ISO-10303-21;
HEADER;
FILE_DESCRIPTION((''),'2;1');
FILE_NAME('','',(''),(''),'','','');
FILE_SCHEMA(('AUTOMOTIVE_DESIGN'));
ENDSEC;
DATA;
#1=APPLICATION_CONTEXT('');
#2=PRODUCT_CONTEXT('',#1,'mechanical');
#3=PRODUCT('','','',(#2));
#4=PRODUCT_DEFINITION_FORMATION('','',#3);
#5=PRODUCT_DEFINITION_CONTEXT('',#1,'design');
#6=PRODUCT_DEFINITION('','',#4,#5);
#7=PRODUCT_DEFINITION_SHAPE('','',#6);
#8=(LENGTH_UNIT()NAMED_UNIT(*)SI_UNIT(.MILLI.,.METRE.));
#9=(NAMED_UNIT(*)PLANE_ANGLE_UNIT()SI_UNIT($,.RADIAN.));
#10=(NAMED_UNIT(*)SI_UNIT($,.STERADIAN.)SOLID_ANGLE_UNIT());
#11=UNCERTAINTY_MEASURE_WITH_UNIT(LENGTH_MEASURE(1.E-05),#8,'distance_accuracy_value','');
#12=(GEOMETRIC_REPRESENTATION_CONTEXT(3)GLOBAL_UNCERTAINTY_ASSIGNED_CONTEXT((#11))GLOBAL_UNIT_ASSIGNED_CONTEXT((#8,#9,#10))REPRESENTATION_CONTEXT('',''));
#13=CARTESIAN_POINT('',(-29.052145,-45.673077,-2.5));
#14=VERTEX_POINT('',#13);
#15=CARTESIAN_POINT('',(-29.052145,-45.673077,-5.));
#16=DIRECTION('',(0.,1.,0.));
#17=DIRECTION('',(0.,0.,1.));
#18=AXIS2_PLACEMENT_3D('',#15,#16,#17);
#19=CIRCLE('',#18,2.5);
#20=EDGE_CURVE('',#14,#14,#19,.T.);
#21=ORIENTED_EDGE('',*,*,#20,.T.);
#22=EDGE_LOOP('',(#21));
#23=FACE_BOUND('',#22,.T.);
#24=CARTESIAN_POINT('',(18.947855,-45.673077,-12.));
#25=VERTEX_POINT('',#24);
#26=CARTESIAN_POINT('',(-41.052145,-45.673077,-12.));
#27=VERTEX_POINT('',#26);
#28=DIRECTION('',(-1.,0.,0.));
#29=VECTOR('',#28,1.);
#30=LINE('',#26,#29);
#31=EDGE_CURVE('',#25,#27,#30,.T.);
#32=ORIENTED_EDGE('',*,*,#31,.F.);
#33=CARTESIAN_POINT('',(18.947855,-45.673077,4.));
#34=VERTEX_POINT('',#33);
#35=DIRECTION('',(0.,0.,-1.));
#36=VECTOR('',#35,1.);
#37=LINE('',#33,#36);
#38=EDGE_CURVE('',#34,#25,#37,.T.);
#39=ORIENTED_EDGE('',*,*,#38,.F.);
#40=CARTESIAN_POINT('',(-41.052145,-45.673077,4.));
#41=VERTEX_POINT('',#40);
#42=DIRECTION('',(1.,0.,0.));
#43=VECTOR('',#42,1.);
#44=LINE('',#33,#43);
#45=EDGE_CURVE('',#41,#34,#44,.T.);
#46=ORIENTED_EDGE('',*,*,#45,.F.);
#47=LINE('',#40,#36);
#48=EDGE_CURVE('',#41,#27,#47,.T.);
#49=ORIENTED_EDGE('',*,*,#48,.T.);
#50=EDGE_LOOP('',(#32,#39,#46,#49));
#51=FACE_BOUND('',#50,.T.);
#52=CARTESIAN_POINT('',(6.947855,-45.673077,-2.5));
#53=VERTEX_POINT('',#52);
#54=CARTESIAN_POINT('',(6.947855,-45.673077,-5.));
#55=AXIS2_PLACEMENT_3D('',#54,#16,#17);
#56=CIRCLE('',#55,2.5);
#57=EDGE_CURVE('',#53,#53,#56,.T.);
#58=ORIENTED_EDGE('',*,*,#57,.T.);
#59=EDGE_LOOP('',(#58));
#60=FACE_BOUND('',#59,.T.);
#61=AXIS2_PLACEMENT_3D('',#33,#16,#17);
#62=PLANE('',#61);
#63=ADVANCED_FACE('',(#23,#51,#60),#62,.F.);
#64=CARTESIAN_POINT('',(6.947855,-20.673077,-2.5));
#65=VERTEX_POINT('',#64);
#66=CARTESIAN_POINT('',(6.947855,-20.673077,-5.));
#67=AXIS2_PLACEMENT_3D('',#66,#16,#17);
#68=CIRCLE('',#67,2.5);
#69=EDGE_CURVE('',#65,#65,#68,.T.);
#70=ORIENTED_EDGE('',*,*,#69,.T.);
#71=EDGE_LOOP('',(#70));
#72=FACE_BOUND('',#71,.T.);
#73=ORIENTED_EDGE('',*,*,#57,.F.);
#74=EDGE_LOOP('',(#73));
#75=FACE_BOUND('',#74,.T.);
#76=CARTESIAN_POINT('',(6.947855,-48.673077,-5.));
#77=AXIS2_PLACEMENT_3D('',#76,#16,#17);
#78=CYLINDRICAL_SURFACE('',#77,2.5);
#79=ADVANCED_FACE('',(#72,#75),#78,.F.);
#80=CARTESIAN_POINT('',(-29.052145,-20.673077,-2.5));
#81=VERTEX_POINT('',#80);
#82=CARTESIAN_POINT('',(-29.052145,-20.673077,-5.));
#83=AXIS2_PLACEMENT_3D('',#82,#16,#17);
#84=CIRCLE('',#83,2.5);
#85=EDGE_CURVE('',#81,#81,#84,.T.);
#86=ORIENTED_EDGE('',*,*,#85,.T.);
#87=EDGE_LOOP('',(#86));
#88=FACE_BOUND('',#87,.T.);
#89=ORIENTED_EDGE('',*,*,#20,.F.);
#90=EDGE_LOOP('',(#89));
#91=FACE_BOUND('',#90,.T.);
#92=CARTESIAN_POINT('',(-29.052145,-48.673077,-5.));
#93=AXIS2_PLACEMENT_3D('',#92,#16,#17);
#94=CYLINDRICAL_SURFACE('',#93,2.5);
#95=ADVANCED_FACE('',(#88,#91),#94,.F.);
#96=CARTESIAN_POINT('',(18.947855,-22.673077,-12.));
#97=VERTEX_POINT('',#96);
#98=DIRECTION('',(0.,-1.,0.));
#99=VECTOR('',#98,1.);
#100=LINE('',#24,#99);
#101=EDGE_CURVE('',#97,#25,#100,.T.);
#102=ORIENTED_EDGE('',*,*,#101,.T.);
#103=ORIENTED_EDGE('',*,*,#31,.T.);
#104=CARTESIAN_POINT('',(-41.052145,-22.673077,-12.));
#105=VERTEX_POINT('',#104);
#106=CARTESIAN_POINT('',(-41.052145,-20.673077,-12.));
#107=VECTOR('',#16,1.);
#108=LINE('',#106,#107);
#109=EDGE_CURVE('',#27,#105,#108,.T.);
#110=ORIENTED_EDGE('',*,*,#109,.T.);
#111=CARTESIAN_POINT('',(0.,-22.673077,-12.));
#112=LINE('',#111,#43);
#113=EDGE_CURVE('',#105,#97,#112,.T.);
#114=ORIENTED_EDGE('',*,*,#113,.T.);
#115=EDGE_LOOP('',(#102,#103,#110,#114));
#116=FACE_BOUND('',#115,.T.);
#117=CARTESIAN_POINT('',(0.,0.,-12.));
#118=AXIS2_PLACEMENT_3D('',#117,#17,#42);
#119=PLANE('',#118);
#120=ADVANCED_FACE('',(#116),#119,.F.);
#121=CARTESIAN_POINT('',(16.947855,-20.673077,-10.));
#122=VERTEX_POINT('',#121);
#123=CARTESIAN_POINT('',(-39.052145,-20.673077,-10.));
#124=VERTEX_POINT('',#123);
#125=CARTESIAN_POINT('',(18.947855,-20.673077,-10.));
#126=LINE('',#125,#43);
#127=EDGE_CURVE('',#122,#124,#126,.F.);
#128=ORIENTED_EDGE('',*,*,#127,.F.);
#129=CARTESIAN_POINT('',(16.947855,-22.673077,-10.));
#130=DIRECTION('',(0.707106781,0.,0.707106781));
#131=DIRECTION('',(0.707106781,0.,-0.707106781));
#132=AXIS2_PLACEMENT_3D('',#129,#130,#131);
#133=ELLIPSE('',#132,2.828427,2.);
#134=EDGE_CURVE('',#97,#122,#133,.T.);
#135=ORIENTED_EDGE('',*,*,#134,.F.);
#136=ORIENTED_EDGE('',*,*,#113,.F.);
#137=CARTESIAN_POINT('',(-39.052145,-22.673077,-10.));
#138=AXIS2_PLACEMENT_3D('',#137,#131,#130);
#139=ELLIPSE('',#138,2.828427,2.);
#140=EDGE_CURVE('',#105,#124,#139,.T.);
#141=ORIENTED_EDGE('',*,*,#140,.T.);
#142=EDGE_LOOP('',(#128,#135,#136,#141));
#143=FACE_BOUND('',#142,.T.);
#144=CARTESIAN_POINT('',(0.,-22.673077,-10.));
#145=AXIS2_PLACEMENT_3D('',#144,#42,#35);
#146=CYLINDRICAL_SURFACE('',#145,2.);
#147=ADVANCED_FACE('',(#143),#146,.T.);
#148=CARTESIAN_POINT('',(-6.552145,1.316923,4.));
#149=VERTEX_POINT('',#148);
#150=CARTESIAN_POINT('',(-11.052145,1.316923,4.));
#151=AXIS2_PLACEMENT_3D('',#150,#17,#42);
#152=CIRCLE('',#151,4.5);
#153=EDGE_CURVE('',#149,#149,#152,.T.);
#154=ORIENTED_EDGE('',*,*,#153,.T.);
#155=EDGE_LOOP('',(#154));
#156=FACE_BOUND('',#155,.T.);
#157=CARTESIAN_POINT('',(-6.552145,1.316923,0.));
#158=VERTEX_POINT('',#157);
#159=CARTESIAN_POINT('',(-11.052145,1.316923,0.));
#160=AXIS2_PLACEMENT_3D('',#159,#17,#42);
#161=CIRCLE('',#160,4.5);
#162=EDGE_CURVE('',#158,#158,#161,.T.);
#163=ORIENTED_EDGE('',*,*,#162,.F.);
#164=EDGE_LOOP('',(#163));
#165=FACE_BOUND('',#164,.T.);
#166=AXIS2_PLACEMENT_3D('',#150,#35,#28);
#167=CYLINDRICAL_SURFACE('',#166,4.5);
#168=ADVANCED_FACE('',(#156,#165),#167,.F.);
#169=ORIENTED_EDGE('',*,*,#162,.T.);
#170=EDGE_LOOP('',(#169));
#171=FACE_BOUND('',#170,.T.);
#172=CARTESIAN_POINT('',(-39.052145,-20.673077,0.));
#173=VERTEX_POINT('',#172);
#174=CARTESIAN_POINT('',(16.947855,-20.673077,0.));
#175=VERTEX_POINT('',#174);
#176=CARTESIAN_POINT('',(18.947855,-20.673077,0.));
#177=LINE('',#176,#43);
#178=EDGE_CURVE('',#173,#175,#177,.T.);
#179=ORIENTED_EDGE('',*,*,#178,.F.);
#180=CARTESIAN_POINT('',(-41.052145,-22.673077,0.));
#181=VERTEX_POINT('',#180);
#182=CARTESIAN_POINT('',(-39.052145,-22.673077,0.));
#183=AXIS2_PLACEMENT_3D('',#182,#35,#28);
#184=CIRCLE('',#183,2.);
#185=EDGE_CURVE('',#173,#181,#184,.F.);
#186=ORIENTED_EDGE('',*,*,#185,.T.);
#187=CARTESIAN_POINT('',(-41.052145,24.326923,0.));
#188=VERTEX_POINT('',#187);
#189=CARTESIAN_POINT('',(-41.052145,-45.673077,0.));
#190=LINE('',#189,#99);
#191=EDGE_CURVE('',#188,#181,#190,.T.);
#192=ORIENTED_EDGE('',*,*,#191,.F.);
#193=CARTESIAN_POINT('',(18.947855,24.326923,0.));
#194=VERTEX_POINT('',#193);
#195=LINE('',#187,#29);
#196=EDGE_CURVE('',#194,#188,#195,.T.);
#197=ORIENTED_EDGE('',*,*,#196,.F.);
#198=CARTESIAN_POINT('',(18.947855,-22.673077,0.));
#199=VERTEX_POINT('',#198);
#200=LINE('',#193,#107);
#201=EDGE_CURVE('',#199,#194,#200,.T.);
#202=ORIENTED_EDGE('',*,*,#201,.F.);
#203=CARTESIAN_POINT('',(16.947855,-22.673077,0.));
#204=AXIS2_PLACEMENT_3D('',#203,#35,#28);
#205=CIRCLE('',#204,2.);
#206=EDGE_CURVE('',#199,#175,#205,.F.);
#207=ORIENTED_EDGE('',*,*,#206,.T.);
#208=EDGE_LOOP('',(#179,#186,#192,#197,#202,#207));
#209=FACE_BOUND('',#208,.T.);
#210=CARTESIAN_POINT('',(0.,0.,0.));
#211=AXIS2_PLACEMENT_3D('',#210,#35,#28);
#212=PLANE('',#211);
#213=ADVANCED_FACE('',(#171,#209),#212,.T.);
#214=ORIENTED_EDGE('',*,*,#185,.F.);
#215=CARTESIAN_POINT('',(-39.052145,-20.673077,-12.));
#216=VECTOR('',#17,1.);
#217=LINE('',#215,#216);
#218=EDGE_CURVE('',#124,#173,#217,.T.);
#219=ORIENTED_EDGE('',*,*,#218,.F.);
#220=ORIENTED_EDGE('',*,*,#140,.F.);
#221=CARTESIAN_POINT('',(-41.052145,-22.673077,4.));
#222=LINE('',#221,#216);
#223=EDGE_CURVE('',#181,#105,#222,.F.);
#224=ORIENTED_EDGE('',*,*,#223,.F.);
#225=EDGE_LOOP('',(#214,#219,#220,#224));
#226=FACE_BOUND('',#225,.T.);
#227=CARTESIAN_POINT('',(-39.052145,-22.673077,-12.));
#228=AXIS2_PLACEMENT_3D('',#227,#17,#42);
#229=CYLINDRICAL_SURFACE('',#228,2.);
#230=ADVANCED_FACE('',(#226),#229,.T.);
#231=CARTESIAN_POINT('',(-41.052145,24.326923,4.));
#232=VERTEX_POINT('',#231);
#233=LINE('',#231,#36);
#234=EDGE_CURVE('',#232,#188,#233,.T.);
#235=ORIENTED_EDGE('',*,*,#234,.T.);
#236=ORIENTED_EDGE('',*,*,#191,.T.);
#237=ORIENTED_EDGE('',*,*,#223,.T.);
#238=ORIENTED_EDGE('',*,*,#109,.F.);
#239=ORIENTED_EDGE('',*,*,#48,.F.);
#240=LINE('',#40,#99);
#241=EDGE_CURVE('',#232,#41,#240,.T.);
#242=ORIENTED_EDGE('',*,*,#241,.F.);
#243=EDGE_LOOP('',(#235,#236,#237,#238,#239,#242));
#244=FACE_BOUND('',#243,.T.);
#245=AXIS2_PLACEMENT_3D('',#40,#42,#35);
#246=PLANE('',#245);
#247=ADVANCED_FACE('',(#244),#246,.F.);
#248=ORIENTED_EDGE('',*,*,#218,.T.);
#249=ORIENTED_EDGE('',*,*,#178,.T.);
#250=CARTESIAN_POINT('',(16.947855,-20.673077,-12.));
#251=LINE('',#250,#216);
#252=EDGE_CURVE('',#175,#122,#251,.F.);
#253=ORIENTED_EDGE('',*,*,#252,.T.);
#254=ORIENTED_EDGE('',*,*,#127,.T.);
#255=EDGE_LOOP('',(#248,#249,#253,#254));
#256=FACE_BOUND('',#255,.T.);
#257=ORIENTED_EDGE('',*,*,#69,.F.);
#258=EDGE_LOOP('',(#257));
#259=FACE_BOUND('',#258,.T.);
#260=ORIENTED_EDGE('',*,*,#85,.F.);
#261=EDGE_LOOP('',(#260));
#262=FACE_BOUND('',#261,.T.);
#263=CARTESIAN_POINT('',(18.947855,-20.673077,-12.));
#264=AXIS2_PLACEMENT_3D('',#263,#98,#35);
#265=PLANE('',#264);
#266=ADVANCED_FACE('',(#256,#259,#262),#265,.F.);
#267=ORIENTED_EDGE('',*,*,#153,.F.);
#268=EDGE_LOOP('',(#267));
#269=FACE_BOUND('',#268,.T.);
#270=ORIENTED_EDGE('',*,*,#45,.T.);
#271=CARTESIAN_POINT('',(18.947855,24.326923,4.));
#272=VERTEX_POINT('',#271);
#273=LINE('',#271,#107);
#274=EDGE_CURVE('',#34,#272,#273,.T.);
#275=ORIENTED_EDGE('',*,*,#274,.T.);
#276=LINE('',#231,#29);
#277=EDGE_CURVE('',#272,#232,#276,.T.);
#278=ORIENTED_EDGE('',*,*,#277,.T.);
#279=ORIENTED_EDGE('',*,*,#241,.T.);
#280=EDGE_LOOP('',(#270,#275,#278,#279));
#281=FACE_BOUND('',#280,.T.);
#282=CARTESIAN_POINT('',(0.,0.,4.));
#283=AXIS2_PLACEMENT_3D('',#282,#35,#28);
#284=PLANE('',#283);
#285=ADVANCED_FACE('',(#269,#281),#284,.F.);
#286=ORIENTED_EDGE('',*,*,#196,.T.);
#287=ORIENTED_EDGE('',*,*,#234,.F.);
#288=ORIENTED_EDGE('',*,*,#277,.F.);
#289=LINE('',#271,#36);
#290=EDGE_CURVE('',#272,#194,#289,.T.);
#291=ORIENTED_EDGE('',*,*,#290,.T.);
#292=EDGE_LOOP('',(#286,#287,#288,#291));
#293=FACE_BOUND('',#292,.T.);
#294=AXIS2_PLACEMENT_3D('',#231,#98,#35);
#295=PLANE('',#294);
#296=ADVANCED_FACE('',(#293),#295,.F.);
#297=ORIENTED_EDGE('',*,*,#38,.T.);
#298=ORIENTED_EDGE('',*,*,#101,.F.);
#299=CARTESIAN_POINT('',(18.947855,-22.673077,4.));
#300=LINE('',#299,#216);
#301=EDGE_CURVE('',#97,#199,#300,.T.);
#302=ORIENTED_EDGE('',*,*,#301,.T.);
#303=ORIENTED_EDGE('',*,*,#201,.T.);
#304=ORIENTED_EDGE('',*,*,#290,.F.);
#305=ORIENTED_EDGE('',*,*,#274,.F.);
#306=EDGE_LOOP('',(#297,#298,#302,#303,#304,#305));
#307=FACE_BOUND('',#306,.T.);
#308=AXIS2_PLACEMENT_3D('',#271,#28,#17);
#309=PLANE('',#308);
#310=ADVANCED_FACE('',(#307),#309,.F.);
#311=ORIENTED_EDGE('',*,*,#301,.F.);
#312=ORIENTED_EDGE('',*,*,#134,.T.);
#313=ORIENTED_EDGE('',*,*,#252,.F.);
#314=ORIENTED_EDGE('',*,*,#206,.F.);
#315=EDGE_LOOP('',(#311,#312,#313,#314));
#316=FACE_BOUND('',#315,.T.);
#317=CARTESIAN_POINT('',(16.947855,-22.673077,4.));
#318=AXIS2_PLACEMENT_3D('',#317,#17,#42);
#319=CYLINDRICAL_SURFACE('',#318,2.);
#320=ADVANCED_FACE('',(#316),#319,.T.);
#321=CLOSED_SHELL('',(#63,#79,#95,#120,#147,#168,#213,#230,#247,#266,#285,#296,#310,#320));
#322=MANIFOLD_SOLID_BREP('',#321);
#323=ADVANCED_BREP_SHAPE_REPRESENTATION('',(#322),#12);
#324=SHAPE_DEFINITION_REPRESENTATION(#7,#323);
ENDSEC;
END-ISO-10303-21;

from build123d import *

# Parameters (mm, degrees)
SKETCH2_W           = 60
SKETCH2_H           = 70
SKETCH2_R           = 4.5
BOSS_EXTRUDE1_DEPTH = 4
SKETCH3_W           = 60
SKETCH3_H           = 25
BOSS_EXTRUDE2_DEPTH = 12
FILLET1_R           = 2
SKETCH4_R           = 2.5
CUT_EXTRUDE1_DEPTH  = 28


with BuildPart() as part:
    # Sketch2 → Boss-Extrude1 (new body)
    with BuildSketch(Plane.XY):
        with Locations((-11.05214497, -10.673076923)):
            Rectangle(SKETCH2_W, SKETCH2_H)
        with Locations((-11.05214497, 1.316923077)):
            Circle(SKETCH2_R, mode=Mode.SUBTRACT)
    extrude(amount=BOSS_EXTRUDE1_DEPTH)

    # Sketch3 → Boss-Extrude2 (add)
    with BuildSketch(Plane(origin=(0, 0, 0), x_dir=(-1, 0, 0), z_dir=(0, 0, -1))):
        with Locations((11.05214497, -33.173076923)):
            Rectangle(SKETCH3_W, SKETCH3_H)
    extrude(amount=BOSS_EXTRUDE2_DEPTH)

    # Fillet1
    fillet1_edges = [part.edges().sort_by_distance(p)[0] for p in [
        (-41.05214497, -20.673076923, -6),
        (18.94785503, -20.673076923, -6),
        (-11.05214497, -20.673076923, -12),
    ]]
    fillet(fillet1_edges, radius=FILLET1_R)

    # Sketch4 → Cut-Extrude1 (cut)
    with BuildSketch(Plane(origin=(0, -20.673076923, 0), x_dir=(1, 0, 0), z_dir=(0, 1, 0))):
        with Locations(Location((-29.05214497, 5, 0), (0, 0, 270))):
            Circle(SKETCH4_R)
        with Locations(Location((6.94785503, 5, 0), (0, 0, 270))):
            Circle(SKETCH4_R)
    extrude(amount=-CUT_EXTRUDE1_DEPTH, mode=Mode.SUBTRACT)


solid = part.part
